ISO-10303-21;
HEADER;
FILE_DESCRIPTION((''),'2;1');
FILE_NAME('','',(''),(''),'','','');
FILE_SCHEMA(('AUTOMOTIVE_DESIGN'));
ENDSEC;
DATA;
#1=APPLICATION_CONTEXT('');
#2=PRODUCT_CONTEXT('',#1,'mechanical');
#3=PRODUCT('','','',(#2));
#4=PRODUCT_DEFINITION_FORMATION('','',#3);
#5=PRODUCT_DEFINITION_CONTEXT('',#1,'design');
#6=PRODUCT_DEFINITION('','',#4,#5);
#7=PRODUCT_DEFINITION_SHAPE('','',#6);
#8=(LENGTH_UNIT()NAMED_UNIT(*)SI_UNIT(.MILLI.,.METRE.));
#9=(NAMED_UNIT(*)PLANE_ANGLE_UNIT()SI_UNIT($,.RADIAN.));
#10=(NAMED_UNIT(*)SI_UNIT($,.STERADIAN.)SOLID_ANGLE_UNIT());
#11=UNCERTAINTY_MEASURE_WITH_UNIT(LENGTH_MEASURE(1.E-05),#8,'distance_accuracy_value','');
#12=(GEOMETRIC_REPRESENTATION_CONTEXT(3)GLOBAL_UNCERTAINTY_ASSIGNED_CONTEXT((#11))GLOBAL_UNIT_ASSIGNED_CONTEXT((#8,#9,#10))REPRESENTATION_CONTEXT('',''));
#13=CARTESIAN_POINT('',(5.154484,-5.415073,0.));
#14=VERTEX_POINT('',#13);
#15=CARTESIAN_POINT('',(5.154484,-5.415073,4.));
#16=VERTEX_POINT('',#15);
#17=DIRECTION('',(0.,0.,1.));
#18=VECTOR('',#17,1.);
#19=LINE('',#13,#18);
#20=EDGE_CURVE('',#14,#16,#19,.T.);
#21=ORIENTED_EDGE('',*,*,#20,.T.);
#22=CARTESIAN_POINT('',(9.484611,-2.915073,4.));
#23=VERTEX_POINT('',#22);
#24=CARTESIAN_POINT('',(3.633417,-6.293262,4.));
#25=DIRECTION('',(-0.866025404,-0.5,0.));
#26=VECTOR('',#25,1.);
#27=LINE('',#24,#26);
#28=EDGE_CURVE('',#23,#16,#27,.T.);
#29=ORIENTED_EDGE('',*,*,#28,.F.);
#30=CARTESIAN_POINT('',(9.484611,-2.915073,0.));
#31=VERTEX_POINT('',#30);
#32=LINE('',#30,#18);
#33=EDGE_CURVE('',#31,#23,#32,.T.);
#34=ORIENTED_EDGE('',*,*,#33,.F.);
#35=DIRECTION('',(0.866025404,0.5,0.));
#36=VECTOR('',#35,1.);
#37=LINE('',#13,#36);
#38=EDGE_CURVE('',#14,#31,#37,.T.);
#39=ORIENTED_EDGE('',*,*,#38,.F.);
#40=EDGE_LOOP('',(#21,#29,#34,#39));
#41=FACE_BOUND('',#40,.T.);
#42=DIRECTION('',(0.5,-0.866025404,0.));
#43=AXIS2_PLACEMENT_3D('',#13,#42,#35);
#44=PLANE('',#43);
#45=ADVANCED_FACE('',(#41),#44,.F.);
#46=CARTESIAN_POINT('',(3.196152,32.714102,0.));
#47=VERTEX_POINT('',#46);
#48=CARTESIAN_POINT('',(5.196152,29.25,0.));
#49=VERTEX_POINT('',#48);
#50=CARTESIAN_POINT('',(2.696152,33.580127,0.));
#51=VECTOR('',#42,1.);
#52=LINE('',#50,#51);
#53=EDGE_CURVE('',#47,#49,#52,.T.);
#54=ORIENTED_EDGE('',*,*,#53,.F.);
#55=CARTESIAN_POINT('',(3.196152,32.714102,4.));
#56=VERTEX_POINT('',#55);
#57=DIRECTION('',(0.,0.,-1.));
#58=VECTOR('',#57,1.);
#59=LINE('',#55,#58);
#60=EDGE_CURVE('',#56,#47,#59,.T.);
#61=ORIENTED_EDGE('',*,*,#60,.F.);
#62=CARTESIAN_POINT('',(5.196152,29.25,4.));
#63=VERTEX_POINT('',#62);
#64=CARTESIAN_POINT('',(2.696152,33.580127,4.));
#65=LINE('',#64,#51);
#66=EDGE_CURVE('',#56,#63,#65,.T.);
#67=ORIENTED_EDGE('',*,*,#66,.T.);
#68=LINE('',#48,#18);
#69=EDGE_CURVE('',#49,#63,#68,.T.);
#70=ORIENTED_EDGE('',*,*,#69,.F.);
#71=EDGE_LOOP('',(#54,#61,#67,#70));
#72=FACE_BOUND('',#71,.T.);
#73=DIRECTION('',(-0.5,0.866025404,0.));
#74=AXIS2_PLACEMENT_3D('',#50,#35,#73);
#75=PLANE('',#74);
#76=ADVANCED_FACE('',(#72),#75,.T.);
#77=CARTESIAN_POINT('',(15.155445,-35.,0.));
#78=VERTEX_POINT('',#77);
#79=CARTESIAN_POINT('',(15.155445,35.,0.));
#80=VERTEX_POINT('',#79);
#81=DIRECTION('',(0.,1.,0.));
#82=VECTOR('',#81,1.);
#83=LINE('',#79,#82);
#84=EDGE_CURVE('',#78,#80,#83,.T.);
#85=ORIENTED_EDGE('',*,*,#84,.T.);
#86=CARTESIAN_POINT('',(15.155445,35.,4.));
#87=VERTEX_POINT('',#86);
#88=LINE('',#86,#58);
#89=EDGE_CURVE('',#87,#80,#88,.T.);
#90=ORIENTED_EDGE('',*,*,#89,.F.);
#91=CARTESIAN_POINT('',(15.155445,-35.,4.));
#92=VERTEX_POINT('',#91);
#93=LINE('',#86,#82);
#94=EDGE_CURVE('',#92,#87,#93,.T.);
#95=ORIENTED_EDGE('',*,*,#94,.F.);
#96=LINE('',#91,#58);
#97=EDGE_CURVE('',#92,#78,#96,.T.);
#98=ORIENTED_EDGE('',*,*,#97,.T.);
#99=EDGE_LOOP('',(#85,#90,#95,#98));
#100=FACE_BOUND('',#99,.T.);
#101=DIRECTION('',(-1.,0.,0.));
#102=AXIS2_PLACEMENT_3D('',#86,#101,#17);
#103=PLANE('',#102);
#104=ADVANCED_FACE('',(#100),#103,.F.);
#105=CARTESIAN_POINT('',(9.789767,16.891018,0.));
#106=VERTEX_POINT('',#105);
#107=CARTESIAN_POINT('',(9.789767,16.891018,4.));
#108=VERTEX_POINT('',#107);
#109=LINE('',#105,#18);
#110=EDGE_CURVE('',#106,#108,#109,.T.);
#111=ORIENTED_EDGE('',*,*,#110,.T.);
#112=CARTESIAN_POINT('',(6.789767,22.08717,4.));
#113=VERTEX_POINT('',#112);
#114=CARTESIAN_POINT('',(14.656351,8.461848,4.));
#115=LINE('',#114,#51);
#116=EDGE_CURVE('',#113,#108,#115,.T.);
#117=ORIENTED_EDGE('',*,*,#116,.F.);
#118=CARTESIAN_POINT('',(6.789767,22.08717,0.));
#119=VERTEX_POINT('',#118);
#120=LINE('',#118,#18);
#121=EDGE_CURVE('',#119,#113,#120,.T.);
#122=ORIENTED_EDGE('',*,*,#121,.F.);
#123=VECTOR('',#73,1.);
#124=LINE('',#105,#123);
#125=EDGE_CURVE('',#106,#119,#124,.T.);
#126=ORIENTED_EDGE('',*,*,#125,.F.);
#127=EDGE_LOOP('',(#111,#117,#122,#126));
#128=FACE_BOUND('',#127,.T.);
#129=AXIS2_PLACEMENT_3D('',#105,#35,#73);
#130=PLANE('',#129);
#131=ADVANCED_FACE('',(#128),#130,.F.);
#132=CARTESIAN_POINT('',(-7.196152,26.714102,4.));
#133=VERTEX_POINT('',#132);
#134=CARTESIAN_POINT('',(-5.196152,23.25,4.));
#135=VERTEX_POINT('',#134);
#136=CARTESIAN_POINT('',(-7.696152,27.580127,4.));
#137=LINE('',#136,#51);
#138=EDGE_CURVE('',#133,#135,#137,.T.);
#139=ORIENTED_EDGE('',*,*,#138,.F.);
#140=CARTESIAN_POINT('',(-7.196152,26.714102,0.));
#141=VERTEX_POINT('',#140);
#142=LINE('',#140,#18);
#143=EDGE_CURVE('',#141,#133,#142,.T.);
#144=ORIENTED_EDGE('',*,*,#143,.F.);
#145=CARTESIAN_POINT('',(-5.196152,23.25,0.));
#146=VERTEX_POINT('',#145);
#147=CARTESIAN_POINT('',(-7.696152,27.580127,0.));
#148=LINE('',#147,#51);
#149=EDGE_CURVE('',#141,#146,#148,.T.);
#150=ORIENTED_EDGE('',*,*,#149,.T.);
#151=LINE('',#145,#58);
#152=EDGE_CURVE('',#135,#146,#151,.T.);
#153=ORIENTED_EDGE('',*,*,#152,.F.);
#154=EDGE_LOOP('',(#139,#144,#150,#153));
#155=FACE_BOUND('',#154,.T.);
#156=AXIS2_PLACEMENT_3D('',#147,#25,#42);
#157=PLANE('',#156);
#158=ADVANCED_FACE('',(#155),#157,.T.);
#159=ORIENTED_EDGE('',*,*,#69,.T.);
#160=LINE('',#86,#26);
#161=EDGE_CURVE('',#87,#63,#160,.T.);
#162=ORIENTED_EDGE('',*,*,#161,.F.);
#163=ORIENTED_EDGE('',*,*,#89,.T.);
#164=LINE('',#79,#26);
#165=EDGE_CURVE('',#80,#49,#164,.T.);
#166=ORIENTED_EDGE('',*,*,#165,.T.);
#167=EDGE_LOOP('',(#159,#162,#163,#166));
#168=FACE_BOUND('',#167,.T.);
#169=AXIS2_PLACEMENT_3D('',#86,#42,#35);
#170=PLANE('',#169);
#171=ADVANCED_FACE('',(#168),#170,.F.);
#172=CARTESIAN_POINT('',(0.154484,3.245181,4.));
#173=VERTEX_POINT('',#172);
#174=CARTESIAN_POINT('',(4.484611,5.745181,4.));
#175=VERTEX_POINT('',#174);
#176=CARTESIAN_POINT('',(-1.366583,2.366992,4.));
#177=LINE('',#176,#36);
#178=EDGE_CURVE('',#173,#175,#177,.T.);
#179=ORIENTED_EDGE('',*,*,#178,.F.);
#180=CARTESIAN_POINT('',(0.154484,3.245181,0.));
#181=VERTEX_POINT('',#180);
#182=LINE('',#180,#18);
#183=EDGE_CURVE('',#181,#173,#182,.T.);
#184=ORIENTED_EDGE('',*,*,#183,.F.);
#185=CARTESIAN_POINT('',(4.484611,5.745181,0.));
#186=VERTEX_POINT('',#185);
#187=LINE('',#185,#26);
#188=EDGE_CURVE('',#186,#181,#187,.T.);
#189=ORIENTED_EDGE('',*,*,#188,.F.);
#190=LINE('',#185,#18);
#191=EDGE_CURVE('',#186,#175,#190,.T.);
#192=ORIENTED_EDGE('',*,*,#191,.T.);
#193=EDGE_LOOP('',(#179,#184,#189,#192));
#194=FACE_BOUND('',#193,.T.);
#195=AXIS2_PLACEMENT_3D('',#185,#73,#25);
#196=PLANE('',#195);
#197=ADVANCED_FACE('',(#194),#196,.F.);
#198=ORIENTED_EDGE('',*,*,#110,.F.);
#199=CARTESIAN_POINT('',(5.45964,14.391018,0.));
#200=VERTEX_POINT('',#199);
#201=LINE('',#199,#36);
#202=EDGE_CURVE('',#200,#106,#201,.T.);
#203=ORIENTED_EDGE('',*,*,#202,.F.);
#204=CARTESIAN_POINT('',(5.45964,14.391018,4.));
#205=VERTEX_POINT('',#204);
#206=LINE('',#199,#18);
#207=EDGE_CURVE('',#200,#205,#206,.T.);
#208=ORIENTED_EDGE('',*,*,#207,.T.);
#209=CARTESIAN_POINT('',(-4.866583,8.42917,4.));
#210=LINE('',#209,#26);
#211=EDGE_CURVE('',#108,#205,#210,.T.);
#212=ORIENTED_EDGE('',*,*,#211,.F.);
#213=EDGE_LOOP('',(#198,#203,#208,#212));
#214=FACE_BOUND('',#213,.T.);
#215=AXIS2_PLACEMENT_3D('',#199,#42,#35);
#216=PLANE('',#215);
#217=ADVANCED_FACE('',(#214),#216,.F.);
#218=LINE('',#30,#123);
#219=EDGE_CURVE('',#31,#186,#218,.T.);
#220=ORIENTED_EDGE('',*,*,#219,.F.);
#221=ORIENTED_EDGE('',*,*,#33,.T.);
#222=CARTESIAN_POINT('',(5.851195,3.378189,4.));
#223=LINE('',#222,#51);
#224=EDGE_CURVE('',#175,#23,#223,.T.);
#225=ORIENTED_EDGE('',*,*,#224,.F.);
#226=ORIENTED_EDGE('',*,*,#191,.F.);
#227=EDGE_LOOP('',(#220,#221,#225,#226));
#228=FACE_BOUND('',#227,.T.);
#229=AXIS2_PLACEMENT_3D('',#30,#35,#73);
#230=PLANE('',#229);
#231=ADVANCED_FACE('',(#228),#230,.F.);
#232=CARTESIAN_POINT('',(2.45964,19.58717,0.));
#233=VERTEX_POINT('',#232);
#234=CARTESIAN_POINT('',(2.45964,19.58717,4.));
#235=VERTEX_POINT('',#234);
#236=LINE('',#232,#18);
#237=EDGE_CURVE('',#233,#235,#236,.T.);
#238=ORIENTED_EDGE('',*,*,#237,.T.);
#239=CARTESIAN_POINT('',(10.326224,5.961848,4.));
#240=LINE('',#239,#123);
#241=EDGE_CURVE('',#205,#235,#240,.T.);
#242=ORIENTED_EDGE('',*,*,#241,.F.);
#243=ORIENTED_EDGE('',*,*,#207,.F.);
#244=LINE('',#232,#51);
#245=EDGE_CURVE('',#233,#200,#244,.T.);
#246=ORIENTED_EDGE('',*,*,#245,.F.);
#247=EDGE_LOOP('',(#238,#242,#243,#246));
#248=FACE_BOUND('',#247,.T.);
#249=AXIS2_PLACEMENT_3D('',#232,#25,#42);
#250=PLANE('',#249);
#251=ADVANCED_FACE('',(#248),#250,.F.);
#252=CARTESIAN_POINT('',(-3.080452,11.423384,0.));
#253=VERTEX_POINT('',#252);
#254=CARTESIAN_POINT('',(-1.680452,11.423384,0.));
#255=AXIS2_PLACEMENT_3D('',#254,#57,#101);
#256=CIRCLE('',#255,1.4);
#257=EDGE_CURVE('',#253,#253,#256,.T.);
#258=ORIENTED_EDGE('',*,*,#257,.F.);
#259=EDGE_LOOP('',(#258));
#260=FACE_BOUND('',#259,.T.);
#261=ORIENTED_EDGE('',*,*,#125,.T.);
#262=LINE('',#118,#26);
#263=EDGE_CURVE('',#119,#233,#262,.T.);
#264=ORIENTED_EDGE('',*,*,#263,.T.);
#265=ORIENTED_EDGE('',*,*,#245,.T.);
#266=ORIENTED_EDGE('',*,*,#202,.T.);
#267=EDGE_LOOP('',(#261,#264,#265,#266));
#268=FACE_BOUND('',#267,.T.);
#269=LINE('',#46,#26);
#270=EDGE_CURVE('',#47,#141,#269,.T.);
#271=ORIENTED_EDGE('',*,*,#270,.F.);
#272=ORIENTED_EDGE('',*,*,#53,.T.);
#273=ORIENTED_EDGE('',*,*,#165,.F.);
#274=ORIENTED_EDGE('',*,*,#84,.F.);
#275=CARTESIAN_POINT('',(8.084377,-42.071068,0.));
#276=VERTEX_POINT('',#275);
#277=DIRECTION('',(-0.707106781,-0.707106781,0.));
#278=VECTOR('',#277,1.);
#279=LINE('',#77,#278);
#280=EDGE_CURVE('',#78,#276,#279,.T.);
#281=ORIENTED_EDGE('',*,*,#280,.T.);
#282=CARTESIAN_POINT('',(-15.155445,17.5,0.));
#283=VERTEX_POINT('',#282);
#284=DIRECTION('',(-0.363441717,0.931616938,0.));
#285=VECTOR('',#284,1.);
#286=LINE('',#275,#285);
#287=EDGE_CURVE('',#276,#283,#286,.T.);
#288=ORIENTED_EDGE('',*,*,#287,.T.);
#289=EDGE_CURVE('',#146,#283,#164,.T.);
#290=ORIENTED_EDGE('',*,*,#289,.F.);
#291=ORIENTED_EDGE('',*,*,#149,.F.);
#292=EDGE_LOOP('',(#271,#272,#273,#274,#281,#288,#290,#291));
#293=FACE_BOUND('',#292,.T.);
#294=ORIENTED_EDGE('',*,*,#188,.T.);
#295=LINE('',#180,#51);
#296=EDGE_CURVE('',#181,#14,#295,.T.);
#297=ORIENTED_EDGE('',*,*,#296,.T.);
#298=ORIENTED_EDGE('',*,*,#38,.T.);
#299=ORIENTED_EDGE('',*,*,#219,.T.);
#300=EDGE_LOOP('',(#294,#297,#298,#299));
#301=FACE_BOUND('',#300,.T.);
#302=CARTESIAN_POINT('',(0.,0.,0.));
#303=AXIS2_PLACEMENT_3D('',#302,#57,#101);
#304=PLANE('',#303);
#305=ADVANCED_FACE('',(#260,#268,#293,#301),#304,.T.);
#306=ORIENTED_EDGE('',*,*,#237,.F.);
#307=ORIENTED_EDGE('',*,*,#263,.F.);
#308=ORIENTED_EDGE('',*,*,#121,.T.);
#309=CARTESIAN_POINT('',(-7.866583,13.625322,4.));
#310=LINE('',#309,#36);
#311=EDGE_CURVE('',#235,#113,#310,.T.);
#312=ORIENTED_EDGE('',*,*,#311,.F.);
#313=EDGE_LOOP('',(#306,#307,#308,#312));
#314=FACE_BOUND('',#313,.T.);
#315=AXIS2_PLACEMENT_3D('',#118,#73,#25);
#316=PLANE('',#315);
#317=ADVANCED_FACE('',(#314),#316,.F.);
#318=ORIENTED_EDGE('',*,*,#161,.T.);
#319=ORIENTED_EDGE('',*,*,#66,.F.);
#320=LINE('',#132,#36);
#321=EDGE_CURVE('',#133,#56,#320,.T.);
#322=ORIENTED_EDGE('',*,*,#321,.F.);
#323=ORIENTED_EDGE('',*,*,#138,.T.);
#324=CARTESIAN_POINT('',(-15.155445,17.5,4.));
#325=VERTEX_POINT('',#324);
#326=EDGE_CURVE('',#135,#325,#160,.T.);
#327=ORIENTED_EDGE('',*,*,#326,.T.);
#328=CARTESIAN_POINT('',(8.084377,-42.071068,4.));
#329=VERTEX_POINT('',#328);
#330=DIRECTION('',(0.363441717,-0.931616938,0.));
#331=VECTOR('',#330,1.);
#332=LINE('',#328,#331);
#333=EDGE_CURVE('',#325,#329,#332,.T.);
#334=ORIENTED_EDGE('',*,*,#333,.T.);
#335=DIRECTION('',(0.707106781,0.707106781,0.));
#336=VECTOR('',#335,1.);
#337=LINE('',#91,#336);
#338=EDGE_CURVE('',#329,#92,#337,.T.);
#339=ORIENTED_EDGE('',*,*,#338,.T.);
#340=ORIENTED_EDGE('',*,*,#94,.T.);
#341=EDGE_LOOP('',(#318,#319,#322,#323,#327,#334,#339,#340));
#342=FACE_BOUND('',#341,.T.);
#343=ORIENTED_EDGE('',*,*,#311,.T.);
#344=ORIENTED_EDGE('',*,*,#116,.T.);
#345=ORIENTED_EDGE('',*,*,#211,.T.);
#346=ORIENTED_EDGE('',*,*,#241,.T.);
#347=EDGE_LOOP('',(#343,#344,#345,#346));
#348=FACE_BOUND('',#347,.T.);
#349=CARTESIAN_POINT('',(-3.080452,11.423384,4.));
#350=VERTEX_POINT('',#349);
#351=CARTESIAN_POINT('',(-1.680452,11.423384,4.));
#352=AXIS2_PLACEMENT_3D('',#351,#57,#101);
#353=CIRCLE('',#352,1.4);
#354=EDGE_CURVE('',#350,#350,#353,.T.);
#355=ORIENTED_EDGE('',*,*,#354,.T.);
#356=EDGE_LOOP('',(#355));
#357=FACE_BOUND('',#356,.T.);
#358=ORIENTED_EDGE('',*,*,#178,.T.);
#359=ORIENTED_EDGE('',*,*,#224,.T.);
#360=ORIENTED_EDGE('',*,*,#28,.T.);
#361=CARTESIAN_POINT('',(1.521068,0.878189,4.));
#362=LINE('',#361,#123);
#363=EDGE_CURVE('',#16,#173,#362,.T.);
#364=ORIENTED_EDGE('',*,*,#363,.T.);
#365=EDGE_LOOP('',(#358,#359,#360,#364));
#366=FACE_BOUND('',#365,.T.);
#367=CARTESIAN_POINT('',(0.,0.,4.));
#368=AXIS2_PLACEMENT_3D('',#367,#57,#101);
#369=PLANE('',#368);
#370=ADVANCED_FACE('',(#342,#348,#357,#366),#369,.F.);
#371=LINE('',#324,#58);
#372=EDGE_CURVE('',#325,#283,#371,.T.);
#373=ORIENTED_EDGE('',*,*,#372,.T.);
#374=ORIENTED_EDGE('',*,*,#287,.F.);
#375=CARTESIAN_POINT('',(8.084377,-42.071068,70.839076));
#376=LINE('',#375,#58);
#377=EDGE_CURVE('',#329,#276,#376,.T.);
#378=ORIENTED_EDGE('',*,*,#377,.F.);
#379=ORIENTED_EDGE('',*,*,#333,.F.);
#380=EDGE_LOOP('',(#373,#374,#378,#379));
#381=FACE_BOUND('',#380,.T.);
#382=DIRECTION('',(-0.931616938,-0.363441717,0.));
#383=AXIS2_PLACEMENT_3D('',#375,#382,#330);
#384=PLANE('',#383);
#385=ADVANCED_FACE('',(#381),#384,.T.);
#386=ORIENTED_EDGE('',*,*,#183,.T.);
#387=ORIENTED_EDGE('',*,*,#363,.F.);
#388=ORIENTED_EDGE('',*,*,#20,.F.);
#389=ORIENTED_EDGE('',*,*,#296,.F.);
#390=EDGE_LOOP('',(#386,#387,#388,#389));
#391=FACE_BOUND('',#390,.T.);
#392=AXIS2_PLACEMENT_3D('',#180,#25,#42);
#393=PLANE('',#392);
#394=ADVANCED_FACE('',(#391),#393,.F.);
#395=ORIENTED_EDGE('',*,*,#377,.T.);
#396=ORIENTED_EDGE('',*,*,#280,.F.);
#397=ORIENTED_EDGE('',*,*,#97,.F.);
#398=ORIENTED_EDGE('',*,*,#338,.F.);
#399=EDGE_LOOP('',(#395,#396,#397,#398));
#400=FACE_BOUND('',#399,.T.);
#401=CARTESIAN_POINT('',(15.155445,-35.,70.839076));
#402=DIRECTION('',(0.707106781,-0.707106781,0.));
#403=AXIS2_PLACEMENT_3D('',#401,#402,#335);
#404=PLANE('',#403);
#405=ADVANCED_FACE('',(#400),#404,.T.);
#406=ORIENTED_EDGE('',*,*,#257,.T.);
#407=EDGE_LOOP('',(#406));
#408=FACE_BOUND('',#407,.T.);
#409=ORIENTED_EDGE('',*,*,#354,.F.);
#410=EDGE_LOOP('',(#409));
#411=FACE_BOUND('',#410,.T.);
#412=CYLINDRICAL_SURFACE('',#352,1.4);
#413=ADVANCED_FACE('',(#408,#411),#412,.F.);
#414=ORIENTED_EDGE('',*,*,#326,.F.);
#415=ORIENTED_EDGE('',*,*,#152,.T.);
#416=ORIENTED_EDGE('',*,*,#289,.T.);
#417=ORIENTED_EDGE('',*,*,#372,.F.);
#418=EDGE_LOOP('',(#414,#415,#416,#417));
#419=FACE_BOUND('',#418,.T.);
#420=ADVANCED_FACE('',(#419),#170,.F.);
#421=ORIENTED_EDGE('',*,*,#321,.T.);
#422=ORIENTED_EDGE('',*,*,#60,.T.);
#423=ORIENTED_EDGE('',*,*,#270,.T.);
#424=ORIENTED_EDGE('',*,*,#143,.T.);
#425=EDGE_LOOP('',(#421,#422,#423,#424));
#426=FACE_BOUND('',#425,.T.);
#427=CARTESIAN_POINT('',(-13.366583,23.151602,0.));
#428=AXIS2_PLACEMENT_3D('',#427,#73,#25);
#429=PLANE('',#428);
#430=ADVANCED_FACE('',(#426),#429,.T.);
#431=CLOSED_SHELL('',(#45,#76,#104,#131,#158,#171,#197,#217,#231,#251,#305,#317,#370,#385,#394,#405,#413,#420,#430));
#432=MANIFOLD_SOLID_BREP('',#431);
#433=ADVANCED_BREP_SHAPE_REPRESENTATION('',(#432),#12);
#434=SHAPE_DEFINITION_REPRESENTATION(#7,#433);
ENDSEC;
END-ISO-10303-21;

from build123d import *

# Parameters (mm, degrees)
EXTRUDE_1_DEPTH     = 4
EXTRUDE_2_DEPTH     = 5
CUT_EXTRUDE_1_DEPTH = 5
CUT_EXTRUDE_3_DEPTH = 5
EXTRUDE_3_DEPTH     = 4
SKETCH_8_W          = 12
SKETCH_8_H          = 4
CUT_EXTRUDE_4_DEPTH = 1
SKETCH_9_R          = 1.4
CUT_EXTRUDE_5_DEPTH = 4


with BuildPart() as part:
    # 草图1 → 凸台-拉伸1 (new body)
    with BuildSketch(Plane.XY):
        Polygon((-15.155444566, 17.5), (15.155444566, -35), (15.155444566, 35), align=None)
    extrude(amount=EXTRUDE_1_DEPTH)

    # 草图3 → 凸台-拉伸2 (add)
    with BuildSketch(Plane(origin=(-11.366583425, 19.6875, 0), x_dir=(0.8660254037844398, 0.499999999999998, 0), z_dir=(-0.49999999999999806, 0.8660254037844399, 0))):
        Polygon((7.125, -4), (13.125, -4), (19.125, -4), (19.125, 0), (7.125, 0), align=None)
    extrude(amount=EXTRUDE_2_DEPTH)

    # 草图4 → 切除-拉伸1 (cut)
    with BuildSketch(Plane(origin=(117.013646285, -126.133628904, 5), x_dir=(0.9999710727819138, 0.007606155361845417, 0), z_dir=(0, 0, 1))):
        Polygon((-106.588705014, 124.032873802), (-111.52268914, 132.7309081), (-115.871706289, 130.263916037), (-110.937722163, 121.565881739), align=None)
    extrude(amount=-CUT_EXTRUDE_1_DEPTH, mode=Mode.SUBTRACT)

    # 草图6 → 切除-拉伸3 (cut)
    with BuildSketch(Plane(origin=(116.750820958, -91.580334705, 5), x_dir=(0.9999710727819138, 0.007606155361845417, 0), z_dir=(0, 0, 1))):
        Polygon((-113.442317429, 112.033605516), (-110.481926953, 106.814784937), (-106.132909805, 109.281777), (-109.09330028, 114.500597579), align=None)
    extrude(amount=-CUT_EXTRUDE_3_DEPTH, mode=Mode.SUBTRACT)

    # 草图7 → 凸台-拉伸3 (add)
    with BuildSketch(Plane(origin=(0, 0, 0), x_dir=(-1, 0, 0), z_dir=(0, 0, -1))):
        Polygon((15.155444566, 17.5), (-15.155444566, -35), (-8.084376754, -42.071067812), align=None)
    extrude(amount=-EXTRUDE_3_DEPTH)

    # 草图8 → 切除-拉伸4 (cut)
    with BuildSketch(Plane(origin=(-13.866583425, 24.017627019, 0), x_dir=(0.8660254037844398, 0.49999999999999806, 0), z_dir=(-0.499999999999998, 0.8660254037844397, 0))):
        with Locations((13.125, -2)):
            Rectangle(SKETCH_8_W, SKETCH_8_H)
    extrude(amount=-CUT_EXTRUDE_4_DEPTH, mode=Mode.SUBTRACT)

    # 草图9 → 切除-拉伸5 (cut)
    with BuildSketch(Plane(origin=(116.744731615, -90.779776973, 0), x_dir=(-0.9999710727819138, -0.007606155361845545, 0), z_dir=(0, 0, -1))):
        with Locations(Location((117.644385016, 103.100964858, 0), (0, 0, 0.435804803))):
            Circle(SKETCH_9_R)
    extrude(amount=-CUT_EXTRUDE_5_DEPTH, mode=Mode.SUBTRACT)


solid = part.part
